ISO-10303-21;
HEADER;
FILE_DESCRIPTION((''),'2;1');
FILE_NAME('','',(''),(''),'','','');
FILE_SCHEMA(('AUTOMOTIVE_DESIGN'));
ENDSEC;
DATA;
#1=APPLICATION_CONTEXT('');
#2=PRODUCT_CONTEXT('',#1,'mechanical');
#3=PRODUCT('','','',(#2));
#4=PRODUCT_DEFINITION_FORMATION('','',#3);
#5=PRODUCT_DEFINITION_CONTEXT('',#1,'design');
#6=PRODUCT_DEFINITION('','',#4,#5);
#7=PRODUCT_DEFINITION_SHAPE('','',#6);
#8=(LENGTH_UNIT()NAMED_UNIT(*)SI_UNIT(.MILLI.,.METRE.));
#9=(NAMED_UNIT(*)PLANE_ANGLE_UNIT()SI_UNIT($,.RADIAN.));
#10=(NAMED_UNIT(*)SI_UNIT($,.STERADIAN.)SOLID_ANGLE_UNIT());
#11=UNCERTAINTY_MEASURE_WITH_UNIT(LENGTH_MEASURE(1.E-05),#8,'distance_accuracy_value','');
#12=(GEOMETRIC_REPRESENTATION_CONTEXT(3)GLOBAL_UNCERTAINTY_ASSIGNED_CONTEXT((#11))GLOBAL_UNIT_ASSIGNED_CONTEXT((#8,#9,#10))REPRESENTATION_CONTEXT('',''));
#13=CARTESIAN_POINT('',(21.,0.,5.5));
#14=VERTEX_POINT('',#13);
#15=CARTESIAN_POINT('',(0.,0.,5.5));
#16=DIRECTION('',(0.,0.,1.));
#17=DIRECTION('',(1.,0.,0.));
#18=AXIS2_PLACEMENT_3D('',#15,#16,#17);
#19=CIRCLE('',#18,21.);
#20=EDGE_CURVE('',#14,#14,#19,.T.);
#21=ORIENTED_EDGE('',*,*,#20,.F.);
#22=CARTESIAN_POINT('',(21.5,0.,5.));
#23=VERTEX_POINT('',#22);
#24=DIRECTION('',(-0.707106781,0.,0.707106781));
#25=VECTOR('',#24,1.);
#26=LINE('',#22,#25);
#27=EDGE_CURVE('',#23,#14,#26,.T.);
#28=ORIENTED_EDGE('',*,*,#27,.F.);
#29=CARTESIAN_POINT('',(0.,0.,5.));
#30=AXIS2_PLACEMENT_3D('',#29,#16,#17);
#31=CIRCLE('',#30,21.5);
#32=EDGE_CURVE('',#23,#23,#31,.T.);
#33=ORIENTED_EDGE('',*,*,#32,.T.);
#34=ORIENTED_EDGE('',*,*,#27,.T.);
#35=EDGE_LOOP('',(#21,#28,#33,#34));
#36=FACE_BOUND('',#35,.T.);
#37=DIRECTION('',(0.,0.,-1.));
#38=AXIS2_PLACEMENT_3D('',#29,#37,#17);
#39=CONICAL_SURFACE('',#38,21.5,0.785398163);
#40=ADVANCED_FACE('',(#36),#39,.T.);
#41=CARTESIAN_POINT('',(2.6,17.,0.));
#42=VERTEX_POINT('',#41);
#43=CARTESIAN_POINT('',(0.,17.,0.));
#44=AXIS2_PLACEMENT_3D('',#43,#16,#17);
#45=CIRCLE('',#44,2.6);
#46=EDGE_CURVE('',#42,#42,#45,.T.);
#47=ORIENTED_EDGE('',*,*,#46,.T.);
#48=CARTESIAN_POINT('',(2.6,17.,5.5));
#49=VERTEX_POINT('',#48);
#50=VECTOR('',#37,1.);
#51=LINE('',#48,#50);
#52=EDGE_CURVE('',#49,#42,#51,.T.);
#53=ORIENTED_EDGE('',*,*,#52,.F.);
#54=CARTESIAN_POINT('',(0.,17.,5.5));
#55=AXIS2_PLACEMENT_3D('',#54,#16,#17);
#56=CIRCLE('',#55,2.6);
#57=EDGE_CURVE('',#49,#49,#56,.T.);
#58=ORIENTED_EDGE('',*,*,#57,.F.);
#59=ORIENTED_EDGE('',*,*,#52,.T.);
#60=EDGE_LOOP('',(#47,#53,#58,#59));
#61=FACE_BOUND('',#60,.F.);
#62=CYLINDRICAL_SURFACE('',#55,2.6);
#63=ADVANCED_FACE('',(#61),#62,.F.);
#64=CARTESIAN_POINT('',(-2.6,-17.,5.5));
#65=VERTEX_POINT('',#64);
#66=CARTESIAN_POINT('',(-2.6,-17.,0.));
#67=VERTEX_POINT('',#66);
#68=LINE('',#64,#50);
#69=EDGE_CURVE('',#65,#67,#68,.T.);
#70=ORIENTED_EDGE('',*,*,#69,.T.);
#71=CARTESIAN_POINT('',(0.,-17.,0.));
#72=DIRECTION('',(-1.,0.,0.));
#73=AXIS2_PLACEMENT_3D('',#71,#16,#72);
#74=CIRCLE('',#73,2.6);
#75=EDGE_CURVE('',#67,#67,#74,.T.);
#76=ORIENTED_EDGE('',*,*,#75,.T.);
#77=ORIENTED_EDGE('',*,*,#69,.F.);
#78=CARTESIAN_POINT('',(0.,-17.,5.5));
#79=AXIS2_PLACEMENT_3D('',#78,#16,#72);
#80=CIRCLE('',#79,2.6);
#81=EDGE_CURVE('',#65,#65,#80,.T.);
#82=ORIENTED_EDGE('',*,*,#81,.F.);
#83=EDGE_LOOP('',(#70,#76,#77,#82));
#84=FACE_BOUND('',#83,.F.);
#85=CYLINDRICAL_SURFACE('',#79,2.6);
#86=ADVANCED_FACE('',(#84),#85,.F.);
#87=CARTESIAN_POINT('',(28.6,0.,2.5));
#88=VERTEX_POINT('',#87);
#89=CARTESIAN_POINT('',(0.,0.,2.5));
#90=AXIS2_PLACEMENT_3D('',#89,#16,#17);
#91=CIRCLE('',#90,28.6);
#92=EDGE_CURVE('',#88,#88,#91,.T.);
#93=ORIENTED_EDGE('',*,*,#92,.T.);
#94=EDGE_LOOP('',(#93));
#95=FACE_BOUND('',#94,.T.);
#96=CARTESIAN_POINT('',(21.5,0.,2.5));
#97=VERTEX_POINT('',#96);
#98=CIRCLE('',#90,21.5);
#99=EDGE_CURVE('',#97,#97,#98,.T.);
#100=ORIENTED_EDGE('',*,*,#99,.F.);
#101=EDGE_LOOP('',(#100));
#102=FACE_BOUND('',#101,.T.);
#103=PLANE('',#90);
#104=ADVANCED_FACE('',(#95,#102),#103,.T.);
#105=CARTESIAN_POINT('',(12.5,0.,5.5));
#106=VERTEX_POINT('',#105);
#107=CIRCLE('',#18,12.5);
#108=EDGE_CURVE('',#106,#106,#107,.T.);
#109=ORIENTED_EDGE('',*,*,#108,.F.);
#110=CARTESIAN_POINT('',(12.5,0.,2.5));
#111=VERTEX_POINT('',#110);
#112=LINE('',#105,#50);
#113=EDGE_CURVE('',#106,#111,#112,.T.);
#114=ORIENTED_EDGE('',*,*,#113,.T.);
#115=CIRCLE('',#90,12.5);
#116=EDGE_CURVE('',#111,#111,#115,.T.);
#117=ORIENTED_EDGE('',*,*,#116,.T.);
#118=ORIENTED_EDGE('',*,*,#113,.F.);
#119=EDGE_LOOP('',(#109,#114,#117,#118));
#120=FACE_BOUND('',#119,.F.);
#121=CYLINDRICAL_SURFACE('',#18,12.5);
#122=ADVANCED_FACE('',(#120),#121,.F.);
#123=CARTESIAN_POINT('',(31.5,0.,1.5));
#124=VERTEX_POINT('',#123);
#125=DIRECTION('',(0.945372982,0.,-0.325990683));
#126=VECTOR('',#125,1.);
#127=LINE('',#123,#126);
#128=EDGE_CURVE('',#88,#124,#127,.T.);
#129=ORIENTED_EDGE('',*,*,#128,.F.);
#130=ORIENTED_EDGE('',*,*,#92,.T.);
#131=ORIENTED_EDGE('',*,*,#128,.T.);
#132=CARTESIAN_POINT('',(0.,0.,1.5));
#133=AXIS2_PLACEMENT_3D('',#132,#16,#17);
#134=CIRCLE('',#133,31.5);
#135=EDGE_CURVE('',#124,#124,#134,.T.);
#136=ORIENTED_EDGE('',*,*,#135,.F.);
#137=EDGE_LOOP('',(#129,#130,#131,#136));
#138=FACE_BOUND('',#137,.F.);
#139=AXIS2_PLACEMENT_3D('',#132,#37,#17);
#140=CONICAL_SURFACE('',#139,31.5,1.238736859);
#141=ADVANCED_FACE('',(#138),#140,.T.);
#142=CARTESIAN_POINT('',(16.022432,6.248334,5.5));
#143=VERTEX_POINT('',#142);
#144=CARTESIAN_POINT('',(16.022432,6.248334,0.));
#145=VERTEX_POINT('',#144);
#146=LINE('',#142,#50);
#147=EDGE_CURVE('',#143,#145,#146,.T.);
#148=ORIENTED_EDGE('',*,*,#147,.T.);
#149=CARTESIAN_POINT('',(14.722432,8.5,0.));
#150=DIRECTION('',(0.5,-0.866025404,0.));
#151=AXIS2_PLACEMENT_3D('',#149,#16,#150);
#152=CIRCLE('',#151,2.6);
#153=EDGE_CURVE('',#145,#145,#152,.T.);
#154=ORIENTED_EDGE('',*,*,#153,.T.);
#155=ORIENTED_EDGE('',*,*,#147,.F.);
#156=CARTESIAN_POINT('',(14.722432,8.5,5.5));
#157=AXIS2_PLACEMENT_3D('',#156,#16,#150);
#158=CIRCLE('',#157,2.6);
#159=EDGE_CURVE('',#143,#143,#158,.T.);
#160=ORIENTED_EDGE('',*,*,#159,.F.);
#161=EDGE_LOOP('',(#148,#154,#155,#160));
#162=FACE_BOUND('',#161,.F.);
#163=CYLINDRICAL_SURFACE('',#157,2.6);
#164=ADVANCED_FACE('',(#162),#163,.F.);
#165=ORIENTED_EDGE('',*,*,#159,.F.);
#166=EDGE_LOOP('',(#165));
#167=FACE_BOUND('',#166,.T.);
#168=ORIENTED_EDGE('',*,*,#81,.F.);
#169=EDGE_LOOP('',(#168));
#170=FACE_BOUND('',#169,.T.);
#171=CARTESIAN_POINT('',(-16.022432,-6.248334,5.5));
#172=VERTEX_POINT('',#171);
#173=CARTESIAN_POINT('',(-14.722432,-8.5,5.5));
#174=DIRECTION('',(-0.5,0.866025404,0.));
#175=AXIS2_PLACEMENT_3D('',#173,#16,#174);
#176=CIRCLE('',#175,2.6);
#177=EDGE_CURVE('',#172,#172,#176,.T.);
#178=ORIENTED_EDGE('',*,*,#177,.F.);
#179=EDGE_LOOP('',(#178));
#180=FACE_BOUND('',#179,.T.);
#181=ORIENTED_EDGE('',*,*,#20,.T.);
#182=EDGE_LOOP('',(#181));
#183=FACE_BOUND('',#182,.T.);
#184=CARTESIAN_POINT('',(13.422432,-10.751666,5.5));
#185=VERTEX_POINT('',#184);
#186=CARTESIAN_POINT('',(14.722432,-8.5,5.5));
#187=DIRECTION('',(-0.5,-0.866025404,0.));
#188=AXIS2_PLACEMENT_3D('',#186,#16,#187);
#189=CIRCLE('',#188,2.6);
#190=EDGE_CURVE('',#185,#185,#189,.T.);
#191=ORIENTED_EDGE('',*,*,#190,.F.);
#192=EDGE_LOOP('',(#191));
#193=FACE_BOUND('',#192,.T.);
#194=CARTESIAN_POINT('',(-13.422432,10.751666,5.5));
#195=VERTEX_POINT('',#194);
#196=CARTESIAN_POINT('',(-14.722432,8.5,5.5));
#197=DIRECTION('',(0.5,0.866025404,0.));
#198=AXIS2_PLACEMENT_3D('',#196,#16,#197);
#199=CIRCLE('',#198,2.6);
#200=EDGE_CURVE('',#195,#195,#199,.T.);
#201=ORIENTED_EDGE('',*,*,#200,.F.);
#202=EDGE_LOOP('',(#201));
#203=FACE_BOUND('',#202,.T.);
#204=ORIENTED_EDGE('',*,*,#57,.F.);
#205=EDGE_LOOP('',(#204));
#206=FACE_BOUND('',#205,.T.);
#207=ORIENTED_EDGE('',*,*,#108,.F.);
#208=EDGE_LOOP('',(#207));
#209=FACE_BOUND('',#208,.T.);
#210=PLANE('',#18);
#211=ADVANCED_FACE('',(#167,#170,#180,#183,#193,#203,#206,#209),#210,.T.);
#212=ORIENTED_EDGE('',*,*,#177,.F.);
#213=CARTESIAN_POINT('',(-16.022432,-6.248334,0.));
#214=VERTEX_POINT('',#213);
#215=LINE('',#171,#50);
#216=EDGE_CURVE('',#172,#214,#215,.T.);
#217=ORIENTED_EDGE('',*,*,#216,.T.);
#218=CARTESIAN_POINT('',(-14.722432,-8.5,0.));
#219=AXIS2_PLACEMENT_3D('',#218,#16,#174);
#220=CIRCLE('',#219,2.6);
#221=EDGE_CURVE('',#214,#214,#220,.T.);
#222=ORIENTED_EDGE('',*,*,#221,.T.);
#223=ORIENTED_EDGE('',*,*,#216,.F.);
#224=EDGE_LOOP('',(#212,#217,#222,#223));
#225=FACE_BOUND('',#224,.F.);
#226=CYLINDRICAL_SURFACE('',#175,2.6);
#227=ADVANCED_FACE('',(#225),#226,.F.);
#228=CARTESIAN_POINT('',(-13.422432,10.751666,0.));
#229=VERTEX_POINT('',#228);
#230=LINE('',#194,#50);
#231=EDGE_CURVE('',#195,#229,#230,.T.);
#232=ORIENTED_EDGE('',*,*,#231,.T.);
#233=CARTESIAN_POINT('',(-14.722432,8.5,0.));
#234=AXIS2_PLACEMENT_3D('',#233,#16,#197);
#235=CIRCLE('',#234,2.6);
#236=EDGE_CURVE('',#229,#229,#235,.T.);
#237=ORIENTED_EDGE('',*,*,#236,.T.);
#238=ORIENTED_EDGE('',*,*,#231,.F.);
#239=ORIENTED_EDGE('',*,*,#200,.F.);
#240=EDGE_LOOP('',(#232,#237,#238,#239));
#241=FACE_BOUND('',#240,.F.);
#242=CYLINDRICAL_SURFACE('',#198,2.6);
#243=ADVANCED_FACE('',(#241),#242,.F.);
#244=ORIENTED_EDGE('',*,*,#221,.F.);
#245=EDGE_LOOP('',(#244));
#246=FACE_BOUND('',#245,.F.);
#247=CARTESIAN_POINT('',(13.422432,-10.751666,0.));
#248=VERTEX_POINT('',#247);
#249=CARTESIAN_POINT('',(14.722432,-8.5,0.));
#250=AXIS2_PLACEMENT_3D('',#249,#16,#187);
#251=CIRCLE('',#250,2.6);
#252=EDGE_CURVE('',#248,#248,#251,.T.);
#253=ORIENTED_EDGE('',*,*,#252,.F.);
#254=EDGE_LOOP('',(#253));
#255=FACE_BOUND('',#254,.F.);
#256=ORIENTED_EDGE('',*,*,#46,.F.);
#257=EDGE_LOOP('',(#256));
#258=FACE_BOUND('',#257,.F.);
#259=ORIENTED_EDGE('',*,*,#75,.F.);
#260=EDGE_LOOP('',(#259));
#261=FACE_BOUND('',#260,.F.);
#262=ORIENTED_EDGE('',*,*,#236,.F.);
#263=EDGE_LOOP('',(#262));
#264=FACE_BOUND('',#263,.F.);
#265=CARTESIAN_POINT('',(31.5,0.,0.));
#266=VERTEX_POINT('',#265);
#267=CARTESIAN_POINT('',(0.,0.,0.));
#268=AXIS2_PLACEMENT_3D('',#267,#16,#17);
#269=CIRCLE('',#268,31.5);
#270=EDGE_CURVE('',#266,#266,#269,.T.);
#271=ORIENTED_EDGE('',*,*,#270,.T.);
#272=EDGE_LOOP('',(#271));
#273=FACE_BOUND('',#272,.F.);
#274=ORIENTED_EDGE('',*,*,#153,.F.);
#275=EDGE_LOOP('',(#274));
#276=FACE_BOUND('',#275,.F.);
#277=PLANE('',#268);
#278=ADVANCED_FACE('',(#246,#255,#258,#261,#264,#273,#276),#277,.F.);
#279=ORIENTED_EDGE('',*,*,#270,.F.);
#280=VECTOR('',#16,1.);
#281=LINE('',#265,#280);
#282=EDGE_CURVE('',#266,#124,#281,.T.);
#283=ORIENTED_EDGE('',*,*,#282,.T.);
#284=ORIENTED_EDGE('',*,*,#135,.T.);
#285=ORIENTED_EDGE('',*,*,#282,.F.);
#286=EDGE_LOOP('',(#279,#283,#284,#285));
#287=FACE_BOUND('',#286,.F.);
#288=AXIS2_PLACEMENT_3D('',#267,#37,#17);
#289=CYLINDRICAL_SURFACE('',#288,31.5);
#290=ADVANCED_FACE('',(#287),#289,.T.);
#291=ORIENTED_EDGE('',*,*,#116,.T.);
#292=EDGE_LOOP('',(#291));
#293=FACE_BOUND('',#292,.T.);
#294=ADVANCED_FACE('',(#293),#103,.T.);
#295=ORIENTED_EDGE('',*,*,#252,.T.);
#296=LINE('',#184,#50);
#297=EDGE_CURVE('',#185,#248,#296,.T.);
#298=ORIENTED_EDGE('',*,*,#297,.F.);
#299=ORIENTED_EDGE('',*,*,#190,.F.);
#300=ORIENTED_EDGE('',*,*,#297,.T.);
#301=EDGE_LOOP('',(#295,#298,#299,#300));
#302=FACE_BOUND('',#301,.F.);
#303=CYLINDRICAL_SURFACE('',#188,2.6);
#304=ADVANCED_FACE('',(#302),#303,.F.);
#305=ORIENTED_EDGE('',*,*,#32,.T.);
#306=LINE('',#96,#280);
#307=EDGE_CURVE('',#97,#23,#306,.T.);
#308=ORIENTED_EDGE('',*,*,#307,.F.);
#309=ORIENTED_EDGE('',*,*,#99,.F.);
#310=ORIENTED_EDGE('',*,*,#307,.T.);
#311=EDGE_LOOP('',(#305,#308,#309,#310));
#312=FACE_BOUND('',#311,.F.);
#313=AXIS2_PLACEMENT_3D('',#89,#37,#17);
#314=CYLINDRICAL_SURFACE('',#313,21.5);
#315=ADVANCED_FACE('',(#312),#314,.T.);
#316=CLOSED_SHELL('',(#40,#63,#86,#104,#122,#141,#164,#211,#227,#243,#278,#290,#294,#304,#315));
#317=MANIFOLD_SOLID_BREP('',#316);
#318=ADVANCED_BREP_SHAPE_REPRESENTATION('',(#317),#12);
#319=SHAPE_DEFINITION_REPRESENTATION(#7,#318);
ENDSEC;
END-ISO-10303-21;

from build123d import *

# Parameters (mm, degrees)
F0_R     = 31.5
F1_DEPTH = 2.5
F2_R     = 21.5
F3_DEPTH = 3
F4_SIZE2 = 1
F4_SIZE  = 2.9
F5_R     = 2.6
F6_DEPTH = 5.5
F8_COUNT = 6
F7_R     = 12.5
F9_DEPTH = 3
F10_SIZE = 0.5


with BuildPart() as f1:
    # F0 (on Top) → F1 (new body)
    with BuildSketch(Plane.XY):
        Circle(F0_R)
    extrude(amount=F1_DEPTH)

    # F2 (on face) → F3 (join)
    with BuildSketch(Plane.XY.offset(2.5)):
        Circle(F2_R)
    extrude(amount=F3_DEPTH)

    # F4
    f4_edges = [f1.edges().sort_by_distance(p)[0] for p in [
        (-31.5, 0, 2.5),
    ]]
    f4_side = f1.faces().sort_by_distance((-30.609045, 0, 2.5))[0]
    chamfer(f4_edges, length=F4_SIZE, length2=F4_SIZE2, reference=f4_side)

    # F5 (on face) → F6 (cut, through all)
    with BuildSketch(Plane.XY.offset(5.5)):
        with Locations((0, 17)):
            Circle(F5_R)
    f6 = extrude(amount=-F6_DEPTH, mode=Mode.SUBTRACT)

    # F8: F6 ×6 about axis
    f8_axis = Axis((0, 0, 5.5), (0, 0, 1))
    for i in range(1, F8_COUNT):
        add(f6.rotate(f8_axis, i * 360 / F8_COUNT), mode=Mode.SUBTRACT)

    # F7 (on face) → F9 (cut)
    with BuildSketch(Plane.XY.offset(5.5)):
        Circle(F7_R)
    extrude(amount=-F9_DEPTH, mode=Mode.SUBTRACT)

    # F10
    f10_edges = [f1.edges().sort_by_distance(p)[0] for p in [
        (-21.5, 0, 5.5),
    ]]
    chamfer(f10_edges, length=F10_SIZE)


solid = f1.part
